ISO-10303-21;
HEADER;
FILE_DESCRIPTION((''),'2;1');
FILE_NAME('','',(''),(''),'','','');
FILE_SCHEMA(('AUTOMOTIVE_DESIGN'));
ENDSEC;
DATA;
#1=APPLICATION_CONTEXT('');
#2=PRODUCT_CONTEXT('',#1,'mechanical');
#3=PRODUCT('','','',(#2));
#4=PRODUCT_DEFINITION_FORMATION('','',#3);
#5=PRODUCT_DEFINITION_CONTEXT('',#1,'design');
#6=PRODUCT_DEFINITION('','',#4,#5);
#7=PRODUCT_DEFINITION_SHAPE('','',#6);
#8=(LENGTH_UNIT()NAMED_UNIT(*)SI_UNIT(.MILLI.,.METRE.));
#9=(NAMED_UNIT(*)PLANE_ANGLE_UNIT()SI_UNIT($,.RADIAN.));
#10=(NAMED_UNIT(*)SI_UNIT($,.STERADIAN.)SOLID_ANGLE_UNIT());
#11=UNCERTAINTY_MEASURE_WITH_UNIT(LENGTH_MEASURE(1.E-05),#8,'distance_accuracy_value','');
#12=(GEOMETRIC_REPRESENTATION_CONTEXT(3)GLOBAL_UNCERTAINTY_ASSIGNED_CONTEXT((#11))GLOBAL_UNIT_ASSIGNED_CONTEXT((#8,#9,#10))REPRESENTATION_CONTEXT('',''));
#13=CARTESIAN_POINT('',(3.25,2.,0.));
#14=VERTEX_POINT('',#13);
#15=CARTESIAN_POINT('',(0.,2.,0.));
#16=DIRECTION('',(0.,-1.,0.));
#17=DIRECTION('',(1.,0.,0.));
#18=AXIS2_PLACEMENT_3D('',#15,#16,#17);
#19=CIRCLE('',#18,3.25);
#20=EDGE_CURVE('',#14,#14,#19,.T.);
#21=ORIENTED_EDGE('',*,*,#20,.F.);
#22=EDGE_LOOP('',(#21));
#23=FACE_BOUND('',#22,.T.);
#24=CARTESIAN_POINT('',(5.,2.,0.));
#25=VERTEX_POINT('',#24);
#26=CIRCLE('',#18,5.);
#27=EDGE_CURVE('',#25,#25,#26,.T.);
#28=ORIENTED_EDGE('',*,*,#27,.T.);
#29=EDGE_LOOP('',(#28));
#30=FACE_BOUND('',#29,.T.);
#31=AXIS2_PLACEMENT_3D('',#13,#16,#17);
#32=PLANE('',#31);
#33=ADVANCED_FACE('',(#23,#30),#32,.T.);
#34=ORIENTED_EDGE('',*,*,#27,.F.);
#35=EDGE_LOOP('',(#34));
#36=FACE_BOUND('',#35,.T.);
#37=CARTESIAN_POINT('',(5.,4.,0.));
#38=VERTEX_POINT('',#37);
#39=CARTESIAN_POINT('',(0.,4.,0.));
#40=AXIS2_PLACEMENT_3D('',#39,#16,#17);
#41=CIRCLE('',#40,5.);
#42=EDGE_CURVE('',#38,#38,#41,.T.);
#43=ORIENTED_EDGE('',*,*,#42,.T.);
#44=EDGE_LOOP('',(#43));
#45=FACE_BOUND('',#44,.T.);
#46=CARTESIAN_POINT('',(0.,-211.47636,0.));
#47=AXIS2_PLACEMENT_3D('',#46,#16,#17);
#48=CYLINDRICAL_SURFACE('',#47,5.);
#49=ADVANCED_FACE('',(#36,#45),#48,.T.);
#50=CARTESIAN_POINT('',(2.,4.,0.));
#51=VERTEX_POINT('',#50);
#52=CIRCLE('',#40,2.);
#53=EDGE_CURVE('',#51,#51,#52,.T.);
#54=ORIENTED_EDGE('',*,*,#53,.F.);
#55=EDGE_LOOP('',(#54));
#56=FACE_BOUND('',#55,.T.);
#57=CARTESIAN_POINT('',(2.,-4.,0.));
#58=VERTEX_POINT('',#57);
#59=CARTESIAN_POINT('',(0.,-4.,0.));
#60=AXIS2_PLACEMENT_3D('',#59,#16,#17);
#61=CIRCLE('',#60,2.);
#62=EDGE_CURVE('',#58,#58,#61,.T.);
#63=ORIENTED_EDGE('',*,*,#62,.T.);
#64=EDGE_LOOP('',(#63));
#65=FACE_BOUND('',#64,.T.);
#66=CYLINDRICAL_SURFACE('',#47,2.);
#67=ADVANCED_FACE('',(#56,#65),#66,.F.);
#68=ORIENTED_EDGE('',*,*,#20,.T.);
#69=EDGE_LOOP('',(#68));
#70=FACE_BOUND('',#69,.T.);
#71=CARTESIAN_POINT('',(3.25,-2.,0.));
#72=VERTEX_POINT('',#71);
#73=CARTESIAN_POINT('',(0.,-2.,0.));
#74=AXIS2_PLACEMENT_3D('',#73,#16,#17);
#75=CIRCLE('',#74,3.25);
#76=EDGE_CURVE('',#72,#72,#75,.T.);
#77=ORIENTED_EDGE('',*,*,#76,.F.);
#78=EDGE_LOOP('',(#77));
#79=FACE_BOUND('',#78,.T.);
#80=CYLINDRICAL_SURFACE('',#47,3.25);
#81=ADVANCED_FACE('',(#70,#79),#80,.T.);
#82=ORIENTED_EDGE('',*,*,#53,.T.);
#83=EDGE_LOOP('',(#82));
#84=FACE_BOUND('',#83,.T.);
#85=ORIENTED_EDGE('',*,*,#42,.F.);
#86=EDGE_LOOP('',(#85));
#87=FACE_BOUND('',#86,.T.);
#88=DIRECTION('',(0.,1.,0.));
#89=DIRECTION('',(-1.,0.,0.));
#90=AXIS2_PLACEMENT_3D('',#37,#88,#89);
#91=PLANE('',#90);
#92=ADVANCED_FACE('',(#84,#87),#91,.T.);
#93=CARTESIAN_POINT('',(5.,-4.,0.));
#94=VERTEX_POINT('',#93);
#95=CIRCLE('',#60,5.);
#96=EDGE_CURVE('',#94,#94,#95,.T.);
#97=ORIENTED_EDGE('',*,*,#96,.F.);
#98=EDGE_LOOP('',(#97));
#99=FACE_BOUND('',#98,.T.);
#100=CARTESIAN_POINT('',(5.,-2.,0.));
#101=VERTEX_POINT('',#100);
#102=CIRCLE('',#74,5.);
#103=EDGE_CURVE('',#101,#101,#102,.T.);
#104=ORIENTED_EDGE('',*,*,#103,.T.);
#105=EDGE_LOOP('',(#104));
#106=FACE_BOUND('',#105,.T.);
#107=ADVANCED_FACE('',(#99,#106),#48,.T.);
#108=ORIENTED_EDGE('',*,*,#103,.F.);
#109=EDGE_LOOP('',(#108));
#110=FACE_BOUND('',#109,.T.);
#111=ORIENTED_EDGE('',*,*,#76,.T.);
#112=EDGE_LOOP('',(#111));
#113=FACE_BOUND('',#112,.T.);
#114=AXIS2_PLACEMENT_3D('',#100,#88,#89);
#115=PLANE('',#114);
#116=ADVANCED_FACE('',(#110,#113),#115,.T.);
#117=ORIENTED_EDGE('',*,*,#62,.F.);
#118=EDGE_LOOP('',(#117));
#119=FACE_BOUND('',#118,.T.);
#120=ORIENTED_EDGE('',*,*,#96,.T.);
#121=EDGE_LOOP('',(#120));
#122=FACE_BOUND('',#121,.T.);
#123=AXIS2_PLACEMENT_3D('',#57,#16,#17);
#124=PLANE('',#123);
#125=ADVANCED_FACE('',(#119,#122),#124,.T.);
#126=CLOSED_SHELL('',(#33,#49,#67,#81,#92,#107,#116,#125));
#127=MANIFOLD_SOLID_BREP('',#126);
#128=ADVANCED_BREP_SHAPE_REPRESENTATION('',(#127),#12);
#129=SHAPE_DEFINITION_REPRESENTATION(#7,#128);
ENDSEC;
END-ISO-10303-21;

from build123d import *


with BuildPart() as part:
    # Sketch2 → Revolve1 (revolve)
    with BuildSketch(Plane.XY):
        Polygon((2, 4), (2, -4), (5, -4), (5, -2), (3.25, -2), (3.25, 2), (5, 2), (5, 4), align=None)
    revolve(axis=Axis((0, -211.476359703, 0), (0, 1, 0)))


solid = part.part
